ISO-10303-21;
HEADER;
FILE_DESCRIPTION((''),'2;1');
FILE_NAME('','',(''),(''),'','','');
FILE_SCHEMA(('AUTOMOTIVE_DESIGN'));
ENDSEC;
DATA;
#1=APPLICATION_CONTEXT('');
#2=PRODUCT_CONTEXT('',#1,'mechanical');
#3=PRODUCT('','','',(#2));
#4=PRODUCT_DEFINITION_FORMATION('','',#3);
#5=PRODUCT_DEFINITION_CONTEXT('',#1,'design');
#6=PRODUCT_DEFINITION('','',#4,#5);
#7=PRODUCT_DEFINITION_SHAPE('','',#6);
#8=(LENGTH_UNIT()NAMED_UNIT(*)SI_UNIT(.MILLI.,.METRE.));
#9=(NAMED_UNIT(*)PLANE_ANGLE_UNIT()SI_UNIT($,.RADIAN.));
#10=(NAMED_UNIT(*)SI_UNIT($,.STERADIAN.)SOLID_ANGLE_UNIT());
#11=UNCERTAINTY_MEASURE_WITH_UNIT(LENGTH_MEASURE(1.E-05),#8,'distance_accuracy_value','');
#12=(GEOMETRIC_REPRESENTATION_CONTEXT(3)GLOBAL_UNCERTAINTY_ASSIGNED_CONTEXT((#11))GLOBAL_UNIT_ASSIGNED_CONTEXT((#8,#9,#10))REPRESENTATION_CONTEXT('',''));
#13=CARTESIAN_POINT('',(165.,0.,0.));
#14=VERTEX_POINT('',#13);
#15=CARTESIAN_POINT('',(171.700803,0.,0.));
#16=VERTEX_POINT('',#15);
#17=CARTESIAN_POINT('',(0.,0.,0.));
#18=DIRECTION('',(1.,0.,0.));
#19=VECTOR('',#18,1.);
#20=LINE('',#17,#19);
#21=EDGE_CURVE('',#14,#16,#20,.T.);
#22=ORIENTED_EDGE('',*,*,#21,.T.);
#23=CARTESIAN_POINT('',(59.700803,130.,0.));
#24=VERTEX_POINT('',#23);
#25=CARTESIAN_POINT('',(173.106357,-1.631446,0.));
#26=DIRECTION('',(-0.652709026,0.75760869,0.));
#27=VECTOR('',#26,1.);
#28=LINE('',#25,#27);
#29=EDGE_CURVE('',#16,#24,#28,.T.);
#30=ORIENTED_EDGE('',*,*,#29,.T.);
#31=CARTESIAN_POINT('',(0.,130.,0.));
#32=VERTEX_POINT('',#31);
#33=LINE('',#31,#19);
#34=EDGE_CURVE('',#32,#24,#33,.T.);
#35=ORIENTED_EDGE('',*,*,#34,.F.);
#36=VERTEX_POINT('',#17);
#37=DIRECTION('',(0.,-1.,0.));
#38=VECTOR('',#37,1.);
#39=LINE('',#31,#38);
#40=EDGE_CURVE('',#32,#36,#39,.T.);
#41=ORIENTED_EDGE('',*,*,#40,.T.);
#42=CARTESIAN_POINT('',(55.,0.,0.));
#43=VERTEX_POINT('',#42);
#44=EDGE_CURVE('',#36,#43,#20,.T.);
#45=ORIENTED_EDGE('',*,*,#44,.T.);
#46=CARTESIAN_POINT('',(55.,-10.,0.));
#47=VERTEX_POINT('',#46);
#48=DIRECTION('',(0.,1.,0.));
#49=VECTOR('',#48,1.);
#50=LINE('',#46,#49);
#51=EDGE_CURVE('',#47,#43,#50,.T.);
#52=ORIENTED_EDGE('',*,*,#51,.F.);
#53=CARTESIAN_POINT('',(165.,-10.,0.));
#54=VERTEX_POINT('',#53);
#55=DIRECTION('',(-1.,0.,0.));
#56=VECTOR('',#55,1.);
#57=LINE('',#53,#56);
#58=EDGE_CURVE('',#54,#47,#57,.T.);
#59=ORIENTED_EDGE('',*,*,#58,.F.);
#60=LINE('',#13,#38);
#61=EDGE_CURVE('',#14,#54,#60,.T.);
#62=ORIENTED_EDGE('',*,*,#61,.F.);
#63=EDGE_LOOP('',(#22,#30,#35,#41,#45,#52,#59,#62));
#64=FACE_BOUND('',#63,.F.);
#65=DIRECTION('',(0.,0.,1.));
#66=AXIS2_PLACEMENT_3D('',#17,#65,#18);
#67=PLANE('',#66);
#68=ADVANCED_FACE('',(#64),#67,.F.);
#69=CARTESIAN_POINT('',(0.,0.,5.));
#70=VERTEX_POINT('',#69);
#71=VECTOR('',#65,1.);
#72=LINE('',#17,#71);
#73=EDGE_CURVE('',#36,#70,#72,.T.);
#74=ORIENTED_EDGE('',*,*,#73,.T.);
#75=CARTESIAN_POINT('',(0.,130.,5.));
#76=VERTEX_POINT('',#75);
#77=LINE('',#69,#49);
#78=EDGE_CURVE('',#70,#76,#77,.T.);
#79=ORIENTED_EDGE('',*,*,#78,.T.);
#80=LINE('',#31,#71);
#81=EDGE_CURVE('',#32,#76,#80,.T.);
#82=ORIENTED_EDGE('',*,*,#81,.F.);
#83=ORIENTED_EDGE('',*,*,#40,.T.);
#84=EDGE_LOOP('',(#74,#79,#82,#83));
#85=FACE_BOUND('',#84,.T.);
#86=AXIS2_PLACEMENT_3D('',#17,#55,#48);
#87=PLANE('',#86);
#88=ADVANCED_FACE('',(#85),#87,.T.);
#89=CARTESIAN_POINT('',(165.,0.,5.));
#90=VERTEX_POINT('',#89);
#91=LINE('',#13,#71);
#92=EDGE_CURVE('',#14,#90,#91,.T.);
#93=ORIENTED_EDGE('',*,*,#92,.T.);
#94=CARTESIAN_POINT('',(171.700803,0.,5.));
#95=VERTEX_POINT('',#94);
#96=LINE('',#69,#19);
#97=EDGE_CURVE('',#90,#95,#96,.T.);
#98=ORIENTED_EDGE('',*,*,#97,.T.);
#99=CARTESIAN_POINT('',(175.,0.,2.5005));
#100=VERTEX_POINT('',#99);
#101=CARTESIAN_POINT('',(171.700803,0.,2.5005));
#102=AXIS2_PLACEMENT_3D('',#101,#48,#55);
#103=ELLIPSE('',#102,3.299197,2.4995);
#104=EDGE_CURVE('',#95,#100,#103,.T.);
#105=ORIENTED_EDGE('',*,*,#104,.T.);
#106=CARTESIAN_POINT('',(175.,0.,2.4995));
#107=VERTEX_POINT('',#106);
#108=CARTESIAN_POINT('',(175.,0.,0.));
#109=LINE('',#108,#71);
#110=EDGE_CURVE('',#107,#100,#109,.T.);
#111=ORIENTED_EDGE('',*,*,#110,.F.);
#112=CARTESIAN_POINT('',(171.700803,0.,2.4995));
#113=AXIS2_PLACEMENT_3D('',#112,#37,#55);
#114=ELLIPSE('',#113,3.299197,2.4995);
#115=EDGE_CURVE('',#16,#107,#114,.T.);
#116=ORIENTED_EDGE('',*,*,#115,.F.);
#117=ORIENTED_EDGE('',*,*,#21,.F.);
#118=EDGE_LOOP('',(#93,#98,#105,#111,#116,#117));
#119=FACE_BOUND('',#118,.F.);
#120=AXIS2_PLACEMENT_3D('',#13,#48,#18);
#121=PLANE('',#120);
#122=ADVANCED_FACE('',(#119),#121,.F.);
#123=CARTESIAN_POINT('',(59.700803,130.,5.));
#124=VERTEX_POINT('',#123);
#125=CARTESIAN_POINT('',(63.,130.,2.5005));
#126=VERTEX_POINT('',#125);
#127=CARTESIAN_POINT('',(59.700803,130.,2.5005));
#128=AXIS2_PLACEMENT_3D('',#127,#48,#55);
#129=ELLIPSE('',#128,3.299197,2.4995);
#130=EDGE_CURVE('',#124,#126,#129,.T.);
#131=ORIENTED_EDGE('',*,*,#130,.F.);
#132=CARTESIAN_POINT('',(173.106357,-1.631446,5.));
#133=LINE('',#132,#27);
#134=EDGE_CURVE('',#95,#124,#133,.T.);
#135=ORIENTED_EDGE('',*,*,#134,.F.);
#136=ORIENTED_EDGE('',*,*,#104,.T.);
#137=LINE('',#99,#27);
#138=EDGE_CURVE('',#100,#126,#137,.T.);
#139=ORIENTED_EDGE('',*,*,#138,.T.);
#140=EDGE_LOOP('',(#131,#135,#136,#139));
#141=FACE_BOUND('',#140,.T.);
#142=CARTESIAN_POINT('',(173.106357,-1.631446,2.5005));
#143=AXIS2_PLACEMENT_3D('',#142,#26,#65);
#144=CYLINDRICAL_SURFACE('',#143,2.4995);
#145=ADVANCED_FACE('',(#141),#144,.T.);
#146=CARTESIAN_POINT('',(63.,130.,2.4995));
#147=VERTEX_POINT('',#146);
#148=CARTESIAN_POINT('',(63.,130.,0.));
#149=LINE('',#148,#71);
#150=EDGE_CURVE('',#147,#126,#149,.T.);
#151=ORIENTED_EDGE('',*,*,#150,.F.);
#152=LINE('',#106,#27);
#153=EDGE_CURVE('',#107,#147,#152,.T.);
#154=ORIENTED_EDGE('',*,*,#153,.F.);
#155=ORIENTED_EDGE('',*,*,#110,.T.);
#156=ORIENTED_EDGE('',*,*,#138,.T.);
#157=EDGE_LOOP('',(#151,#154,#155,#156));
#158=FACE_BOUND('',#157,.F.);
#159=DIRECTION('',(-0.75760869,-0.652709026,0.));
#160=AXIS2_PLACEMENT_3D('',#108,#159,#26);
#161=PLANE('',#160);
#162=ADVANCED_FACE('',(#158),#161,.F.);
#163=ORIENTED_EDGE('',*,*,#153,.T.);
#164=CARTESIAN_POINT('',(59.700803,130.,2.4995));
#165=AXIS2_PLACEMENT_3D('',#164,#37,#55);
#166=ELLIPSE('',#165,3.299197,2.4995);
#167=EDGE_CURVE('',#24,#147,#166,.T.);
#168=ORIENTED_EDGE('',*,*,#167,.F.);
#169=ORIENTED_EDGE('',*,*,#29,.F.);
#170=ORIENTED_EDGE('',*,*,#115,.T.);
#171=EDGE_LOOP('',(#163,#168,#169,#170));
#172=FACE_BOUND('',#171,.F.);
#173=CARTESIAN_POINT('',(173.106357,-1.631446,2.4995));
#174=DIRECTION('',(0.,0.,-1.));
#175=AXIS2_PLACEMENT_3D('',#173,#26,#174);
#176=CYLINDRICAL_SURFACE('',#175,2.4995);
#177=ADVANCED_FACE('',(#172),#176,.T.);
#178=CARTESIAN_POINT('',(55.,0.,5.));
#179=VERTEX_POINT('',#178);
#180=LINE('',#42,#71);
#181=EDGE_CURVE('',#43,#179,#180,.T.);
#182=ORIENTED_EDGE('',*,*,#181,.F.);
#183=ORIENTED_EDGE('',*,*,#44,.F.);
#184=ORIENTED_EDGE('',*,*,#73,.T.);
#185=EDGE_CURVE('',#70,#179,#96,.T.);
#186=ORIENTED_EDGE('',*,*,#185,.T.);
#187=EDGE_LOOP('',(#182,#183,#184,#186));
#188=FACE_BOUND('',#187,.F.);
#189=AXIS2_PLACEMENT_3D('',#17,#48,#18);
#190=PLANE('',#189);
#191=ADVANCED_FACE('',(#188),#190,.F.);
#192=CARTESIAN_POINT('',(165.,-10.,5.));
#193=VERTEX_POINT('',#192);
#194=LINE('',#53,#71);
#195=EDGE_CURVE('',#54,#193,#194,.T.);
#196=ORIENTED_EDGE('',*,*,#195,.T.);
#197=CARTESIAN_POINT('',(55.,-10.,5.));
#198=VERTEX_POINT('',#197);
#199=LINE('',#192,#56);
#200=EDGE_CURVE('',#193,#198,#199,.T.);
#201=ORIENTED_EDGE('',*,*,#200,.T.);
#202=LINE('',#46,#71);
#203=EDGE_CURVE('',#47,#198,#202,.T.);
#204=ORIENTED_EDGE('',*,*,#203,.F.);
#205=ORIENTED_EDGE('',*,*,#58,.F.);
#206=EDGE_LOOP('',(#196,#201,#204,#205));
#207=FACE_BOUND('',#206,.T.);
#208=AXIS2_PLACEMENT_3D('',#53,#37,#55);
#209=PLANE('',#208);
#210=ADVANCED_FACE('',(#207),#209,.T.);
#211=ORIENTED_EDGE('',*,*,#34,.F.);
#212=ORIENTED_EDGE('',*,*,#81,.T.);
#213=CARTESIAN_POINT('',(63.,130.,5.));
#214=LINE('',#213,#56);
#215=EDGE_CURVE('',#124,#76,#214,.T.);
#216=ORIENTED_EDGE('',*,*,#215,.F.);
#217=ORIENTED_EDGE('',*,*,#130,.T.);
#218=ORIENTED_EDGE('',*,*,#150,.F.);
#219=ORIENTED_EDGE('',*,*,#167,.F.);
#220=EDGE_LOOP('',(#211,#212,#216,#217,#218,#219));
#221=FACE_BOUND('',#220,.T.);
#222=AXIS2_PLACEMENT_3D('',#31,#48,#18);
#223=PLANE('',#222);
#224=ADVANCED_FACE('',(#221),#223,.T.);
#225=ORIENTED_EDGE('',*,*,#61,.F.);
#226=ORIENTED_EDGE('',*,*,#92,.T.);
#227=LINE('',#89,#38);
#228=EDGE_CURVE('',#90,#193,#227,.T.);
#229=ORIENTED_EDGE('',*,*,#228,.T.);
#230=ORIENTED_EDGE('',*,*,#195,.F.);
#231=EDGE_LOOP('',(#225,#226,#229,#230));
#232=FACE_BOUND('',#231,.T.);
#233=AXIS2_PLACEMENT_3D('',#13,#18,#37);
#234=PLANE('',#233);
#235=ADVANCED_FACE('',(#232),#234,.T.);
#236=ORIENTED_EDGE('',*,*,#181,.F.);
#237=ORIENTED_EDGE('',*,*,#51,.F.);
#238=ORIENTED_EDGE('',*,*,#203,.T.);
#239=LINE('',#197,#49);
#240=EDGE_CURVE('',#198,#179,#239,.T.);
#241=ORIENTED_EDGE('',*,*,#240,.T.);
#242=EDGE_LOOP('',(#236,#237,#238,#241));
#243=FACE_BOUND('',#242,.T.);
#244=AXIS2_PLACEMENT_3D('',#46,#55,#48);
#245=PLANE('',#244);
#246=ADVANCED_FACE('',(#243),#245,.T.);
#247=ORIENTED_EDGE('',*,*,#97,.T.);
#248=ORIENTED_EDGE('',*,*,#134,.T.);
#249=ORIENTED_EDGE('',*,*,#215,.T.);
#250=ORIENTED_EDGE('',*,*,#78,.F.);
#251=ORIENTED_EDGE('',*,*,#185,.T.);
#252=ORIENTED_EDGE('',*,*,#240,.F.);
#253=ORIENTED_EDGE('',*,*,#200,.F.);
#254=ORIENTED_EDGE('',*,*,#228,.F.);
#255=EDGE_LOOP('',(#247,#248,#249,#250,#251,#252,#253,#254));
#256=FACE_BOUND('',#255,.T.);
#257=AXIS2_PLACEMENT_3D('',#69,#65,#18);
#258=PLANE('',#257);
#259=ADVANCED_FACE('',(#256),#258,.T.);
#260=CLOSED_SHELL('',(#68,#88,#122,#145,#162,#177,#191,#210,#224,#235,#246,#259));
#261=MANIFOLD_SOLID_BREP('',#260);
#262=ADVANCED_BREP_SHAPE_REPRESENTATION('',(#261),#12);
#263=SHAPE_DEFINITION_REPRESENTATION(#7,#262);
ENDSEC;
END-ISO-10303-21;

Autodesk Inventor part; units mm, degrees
ref_plane "YZ Plane" through (0, 0, 0) normal (1, 0, 0) x (0, 1, 0)
ref_plane "XZ Plane" through (0, 0, 0) normal (0, 1, 0) x (-1, 0, 0)
ref_plane "XY Plane" through (0, 0, 0) normal (0, 0, 1) x (1, 0, 0)
sketch "Sketch1" plane through (0, 0, 0) normal (0, 0, 1) x (1, 0, 0)
  line L0 (0, 0) -> (0, 110)
  line L1 (18, 130) -> (63, 130)
  line L2 (0, 0) -> (175, 0)
  line L3 (175, 0) -> (63, 130)
  line L4 (165, 0) -> (165, -10)
  line L5 (165, -10) -> (55, -10)
  line L6 (55, -10) -> (55, 0)
  line L7 (0, 110) -> (0, 130)
  line L8 (0, 130) -> (18, 130)
  dimension "d1" = 110
  dimension "d5" = 45
  dimension "d6" = 175
  dimension "d7" = 10
  dimension "d8" = 10
  dimension "d9" = 110
extrude "Extrusion1" add sketch "Sketch1" along normal blind 5
fillet "Fillet1" radius 2.5 2 edges at (119, 65, 5) (119, 65, 0)
properties part number "vertikal stab"
